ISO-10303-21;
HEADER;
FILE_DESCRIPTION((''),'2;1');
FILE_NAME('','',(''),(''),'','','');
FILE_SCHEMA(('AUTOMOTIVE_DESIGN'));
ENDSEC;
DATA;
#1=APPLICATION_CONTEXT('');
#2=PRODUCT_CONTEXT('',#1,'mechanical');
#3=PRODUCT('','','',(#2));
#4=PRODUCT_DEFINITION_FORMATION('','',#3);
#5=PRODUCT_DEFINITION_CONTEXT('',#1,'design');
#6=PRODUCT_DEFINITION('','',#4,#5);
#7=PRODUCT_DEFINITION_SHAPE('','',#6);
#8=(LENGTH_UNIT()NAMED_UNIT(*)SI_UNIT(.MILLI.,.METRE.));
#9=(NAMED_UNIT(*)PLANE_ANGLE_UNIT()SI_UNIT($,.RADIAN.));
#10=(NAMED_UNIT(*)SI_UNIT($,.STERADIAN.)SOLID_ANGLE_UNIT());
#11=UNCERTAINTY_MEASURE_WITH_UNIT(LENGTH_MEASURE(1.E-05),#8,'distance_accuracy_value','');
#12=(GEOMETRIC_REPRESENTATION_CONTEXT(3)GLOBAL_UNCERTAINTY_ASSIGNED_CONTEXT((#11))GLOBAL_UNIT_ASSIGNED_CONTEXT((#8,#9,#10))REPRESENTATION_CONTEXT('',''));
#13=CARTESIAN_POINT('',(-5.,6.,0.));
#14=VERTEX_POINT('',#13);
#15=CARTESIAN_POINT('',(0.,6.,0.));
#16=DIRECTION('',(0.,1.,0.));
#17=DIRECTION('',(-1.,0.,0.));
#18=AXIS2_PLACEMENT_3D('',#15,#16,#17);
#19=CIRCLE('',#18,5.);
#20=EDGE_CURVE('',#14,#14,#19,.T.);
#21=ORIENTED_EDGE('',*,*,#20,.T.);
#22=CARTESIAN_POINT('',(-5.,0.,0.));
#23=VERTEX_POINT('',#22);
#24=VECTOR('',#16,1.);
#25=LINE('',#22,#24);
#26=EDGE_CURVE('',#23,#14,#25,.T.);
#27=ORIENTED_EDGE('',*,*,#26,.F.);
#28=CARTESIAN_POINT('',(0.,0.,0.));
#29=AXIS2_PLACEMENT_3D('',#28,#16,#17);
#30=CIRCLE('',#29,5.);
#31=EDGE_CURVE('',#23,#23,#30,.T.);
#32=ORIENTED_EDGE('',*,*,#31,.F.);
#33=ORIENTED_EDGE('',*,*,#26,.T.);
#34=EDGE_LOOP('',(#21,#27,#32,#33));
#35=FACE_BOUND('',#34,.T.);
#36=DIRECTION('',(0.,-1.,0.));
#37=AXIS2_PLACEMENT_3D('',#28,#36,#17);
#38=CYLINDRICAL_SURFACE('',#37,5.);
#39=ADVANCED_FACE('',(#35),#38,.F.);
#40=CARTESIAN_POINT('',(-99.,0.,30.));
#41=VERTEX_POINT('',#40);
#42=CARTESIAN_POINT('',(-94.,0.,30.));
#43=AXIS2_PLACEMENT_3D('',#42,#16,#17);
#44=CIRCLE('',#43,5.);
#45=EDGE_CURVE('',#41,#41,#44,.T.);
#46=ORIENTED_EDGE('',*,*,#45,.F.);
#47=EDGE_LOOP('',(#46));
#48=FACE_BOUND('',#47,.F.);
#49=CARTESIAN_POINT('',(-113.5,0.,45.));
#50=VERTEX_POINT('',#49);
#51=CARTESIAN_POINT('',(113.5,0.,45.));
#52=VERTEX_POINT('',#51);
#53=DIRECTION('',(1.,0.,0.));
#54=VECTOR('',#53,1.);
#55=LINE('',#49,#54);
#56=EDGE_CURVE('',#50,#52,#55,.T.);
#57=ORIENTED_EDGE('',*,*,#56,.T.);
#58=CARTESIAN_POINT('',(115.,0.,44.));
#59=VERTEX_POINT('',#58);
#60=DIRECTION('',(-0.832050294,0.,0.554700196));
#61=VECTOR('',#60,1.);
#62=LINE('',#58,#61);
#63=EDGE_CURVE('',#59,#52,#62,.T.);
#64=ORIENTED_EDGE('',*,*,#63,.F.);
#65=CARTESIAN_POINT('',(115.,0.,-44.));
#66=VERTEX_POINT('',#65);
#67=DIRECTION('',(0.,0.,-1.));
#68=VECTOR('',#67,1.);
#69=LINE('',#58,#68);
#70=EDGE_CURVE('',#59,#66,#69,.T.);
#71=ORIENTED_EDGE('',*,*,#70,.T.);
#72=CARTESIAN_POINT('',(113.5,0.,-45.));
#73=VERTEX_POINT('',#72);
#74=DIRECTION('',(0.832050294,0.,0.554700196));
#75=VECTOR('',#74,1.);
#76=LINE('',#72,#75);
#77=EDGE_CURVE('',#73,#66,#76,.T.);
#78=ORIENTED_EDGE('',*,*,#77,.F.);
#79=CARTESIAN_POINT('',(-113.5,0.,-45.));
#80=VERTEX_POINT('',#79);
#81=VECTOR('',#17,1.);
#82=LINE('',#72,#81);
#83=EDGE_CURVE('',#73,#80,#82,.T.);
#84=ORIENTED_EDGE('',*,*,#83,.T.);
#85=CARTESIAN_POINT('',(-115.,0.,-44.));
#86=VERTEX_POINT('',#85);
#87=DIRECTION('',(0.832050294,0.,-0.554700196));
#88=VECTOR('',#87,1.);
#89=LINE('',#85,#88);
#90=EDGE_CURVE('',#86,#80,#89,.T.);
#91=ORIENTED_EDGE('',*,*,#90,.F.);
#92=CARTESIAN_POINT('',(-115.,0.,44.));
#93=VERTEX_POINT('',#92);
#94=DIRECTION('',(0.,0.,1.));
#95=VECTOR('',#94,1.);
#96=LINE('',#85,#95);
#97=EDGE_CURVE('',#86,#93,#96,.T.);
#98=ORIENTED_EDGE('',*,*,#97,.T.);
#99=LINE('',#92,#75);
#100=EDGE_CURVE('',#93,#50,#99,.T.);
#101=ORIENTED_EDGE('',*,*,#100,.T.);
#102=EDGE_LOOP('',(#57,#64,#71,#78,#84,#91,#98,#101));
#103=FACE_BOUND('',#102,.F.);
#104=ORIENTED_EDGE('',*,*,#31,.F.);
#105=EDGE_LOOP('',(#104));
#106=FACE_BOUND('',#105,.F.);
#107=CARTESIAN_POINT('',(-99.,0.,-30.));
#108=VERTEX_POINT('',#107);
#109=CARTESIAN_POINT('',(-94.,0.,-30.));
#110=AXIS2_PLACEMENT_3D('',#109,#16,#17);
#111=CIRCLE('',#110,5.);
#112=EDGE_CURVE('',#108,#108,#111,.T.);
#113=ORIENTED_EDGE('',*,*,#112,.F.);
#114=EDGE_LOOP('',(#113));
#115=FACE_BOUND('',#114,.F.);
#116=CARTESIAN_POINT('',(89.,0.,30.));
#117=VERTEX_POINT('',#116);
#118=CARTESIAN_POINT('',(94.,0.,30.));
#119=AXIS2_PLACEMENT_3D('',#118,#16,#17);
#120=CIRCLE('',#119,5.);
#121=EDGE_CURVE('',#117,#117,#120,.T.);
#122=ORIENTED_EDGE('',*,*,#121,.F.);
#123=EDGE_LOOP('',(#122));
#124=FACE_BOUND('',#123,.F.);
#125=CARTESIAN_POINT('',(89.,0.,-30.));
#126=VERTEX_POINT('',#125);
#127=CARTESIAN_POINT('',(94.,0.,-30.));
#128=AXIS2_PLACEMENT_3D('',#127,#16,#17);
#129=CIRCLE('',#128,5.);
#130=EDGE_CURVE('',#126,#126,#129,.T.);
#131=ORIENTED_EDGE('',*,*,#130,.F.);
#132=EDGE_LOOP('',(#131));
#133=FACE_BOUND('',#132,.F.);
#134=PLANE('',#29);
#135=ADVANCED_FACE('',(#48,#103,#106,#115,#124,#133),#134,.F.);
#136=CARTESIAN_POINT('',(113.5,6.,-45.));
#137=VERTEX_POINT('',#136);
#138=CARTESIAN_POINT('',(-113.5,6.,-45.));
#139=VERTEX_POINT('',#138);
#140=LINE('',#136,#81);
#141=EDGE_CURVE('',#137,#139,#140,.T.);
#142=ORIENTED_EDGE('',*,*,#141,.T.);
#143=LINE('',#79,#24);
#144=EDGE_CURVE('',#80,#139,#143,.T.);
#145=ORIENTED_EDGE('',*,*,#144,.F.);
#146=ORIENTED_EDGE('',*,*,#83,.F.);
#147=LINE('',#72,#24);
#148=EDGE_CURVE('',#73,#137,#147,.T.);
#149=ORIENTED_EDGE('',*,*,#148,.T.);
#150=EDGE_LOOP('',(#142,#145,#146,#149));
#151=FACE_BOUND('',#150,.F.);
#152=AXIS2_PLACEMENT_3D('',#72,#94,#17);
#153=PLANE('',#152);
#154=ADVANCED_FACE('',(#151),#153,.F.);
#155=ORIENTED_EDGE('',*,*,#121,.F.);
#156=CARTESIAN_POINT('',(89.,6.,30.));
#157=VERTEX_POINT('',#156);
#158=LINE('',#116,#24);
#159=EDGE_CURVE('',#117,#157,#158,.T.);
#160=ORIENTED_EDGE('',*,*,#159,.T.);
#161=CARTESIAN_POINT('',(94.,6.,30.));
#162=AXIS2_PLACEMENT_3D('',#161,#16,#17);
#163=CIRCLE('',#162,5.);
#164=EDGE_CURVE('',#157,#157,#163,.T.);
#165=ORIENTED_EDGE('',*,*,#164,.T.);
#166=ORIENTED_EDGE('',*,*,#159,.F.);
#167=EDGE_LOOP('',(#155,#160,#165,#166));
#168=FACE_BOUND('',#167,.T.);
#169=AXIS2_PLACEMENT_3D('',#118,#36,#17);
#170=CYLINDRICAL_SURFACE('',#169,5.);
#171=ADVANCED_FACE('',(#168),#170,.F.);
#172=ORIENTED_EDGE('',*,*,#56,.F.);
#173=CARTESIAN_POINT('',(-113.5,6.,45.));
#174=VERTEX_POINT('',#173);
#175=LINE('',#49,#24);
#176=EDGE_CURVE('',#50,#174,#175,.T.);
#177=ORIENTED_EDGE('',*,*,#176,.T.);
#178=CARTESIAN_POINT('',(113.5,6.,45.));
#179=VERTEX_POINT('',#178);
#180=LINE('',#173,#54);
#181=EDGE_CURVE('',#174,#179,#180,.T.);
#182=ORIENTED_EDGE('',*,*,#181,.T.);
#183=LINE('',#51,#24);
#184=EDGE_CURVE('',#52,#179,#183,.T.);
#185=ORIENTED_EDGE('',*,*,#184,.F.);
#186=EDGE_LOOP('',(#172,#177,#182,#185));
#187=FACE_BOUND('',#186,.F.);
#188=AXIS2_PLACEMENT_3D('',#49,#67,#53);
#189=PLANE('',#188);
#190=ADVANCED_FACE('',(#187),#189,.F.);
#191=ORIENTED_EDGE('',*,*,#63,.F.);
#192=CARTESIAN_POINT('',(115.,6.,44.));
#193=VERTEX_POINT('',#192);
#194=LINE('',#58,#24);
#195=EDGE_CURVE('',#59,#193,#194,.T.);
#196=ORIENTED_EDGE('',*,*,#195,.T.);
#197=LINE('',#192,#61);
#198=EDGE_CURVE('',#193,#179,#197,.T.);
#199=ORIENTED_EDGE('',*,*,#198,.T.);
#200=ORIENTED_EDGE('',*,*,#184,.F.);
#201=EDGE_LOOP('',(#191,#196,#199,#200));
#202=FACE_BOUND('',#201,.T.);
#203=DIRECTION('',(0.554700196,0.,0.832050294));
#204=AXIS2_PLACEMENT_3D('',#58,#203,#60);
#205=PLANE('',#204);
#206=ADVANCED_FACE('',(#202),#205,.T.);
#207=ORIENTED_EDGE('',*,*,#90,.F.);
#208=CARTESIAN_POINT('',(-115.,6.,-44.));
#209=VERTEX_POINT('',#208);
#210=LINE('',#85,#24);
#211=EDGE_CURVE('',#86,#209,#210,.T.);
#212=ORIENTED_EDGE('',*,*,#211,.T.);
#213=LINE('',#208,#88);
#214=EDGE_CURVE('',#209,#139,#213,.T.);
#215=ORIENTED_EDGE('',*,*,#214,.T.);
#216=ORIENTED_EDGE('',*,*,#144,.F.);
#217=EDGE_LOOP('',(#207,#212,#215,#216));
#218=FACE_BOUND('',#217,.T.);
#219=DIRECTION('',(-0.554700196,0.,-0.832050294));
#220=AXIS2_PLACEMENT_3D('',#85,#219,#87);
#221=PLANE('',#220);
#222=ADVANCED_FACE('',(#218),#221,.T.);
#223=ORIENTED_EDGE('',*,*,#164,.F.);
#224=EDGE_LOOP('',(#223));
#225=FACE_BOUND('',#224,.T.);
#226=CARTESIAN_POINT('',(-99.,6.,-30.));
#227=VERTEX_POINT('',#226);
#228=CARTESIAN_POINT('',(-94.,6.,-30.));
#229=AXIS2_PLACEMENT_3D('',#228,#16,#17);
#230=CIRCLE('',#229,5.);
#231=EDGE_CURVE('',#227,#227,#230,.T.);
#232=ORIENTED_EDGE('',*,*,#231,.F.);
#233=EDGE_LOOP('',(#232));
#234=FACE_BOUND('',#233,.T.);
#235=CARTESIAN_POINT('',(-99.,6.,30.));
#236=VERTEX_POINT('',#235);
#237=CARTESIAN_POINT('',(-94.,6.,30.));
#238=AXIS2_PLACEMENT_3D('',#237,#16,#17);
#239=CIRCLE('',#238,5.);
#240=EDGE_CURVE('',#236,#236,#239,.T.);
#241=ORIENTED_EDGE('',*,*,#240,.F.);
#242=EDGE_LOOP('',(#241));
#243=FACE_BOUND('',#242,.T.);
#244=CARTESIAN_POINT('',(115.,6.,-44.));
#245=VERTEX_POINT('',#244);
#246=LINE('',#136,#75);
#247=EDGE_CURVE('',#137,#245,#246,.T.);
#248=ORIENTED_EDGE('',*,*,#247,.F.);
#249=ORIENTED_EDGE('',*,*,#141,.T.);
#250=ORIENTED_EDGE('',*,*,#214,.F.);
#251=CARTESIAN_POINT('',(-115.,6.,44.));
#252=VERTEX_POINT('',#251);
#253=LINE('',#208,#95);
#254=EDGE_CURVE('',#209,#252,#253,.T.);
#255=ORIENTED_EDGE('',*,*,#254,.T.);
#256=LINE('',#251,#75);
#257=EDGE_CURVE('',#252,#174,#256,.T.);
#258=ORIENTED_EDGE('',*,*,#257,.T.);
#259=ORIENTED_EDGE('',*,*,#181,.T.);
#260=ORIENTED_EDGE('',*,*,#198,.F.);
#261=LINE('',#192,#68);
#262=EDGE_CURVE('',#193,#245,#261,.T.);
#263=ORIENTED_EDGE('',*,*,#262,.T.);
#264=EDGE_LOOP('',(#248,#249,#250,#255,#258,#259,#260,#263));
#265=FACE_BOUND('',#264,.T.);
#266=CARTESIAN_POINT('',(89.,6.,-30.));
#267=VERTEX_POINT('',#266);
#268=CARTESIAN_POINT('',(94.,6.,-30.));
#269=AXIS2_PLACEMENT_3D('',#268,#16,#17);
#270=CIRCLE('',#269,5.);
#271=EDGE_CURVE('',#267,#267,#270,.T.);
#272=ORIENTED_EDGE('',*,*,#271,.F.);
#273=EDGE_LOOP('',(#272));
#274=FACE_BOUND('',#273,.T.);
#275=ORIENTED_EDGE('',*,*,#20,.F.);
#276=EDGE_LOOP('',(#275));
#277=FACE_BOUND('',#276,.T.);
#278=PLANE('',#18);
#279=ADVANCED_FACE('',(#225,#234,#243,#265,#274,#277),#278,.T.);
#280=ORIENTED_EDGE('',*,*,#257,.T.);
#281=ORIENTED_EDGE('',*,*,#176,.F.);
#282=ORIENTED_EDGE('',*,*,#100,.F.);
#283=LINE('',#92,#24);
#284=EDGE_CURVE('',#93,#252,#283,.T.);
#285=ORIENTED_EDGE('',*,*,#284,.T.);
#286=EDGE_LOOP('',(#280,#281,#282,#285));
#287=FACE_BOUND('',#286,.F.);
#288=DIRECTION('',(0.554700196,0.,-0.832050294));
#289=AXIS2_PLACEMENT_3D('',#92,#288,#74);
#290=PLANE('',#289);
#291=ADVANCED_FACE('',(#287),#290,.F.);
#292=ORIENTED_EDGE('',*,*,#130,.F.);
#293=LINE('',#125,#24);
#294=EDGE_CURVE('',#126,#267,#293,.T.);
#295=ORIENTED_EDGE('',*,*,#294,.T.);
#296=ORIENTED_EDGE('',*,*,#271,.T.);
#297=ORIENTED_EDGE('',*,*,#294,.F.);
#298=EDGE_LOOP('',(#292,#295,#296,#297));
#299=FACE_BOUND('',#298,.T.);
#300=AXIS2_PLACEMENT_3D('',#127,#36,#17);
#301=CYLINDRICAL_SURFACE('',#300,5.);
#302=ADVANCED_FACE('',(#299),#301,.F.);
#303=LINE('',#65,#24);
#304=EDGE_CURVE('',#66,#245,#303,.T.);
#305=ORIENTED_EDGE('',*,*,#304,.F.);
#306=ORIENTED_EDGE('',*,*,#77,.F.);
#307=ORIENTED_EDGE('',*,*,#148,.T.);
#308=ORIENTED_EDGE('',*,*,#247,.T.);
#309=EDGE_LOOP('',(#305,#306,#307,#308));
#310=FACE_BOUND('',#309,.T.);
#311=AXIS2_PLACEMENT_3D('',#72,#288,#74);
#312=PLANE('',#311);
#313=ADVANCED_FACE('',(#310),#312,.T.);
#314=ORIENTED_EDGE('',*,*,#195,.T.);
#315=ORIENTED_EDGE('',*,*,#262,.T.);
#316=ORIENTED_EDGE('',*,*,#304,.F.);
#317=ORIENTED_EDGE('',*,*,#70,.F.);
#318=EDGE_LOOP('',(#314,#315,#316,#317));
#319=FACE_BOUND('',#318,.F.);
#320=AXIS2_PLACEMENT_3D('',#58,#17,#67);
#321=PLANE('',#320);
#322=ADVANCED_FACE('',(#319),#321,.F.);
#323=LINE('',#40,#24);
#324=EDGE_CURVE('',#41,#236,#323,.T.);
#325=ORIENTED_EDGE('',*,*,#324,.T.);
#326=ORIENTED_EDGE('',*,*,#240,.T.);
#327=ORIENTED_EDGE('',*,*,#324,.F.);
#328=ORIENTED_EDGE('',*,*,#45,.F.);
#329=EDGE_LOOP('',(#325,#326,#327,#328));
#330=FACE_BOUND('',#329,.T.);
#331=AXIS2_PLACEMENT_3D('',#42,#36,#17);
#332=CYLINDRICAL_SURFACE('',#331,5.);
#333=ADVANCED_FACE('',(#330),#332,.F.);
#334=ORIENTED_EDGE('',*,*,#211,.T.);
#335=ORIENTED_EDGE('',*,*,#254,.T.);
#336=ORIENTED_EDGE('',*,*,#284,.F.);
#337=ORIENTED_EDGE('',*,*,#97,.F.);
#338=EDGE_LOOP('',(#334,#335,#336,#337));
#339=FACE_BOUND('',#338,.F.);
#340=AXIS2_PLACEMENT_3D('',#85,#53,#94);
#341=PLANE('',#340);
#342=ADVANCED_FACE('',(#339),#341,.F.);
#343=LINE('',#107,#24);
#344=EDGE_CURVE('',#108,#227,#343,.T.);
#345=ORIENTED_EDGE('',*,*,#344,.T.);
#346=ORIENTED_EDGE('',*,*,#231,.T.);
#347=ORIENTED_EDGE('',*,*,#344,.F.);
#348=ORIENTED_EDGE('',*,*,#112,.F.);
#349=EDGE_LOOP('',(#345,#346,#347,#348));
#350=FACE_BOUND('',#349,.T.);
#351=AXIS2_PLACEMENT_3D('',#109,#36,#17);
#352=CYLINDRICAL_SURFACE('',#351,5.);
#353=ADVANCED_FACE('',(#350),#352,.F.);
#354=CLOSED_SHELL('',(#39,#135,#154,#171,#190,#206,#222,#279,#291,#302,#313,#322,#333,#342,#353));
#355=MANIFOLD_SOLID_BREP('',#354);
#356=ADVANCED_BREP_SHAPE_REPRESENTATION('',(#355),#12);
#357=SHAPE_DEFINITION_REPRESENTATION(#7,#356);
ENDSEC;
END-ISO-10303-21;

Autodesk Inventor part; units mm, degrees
ref_plane "YZ Plane" through (0, 0, 0) normal (1, 0, 0) x (0, 1, 0)
ref_plane "XZ Plane" through (0, 0, 0) normal (0, 1, 0) x (-1, 0, 0)
ref_plane "XY Plane" through (0, 0, 0) normal (0, 0, 1) x (1, 0, 0)
sketch "Sketch1" plane through (0, 0, 0) normal (0, 1, 0) x (-1, 0, 0)
  line L0 (-113.5, -45) -> (113.5, -45)
  line L1 (115, -44) -> (115, 44)
  line L2 (113.5, 45) -> (-113.5, 45)
  line L3 (-115, 44) -> (-115, -44)
  circle A0 centre (0, 0) radius 5
  line L4 (-113.5, -45) -> (-115, -44)
  line L5 (-115, 44) -> (-113.5, 45)
  line L6 (115, 44) -> (113.5, 45)
  line L7 (115, -44) -> (113.5, -45)
  circle A1 centre (-94, -30) radius 5
  circle A2 centre (-94, 30) radius 5
  line L8 (0, 45) -> (0, -45) construction
  circle A3 centre (94, -30) radius 5
  circle A4 centre (94, 30) radius 5
  point P0 (-115, -45)
  point P1 (115, 45)
  point P2 (115, -45)
  point P3 (-115, 45)
  point P4 (115, 0)
  dimension "d0" = 230
  dimension "d1" = 90
  dimension "d2" = 115
  dimension "d3" = 45
  dimension "d6" = 10
  dimension "d7" = 1.5
  dimension "d8" = 1
  dimension "d9" = 1
  dimension "d10" = 1.5
  dimension "d11" = 1
  dimension "d12" = 1.5
  dimension "d13" = 1
  dimension "d14" = 1.5
  dimension "d15" = 10
  dimension "d16" = 10
  dimension "d17" = 30
  dimension "d18" = 30
  dimension "d19" = 94
  dimension "d20" = 94
extrude "Extrusion1" add sketch "Sketch1" along normal blind 6
equation "\"d2\" = 0.5 * d0"
equation "\"d3\" = 0.5 * d1"
equation "\"d9\" = d8"
equation "\"d10\" = d7"
equation "\"d11\" = d8"
equation "\"d12\" = d7"
equation "\"d13\" = d8"
equation "\"d14\" = d7"
equation "\"d18\" = d17"
equation "\"d19\" = plate_thick + 0.5 * plates_spacing + brakcet_hole_to_plate"
equation "\"d20\" = d19"
equation "\"plate_thick\" = 6"
equation "\"plates_spacing\" = 116"
equation "\"brakcet_hole_to_plate\" = 30"
properties part number "rig_connector"
